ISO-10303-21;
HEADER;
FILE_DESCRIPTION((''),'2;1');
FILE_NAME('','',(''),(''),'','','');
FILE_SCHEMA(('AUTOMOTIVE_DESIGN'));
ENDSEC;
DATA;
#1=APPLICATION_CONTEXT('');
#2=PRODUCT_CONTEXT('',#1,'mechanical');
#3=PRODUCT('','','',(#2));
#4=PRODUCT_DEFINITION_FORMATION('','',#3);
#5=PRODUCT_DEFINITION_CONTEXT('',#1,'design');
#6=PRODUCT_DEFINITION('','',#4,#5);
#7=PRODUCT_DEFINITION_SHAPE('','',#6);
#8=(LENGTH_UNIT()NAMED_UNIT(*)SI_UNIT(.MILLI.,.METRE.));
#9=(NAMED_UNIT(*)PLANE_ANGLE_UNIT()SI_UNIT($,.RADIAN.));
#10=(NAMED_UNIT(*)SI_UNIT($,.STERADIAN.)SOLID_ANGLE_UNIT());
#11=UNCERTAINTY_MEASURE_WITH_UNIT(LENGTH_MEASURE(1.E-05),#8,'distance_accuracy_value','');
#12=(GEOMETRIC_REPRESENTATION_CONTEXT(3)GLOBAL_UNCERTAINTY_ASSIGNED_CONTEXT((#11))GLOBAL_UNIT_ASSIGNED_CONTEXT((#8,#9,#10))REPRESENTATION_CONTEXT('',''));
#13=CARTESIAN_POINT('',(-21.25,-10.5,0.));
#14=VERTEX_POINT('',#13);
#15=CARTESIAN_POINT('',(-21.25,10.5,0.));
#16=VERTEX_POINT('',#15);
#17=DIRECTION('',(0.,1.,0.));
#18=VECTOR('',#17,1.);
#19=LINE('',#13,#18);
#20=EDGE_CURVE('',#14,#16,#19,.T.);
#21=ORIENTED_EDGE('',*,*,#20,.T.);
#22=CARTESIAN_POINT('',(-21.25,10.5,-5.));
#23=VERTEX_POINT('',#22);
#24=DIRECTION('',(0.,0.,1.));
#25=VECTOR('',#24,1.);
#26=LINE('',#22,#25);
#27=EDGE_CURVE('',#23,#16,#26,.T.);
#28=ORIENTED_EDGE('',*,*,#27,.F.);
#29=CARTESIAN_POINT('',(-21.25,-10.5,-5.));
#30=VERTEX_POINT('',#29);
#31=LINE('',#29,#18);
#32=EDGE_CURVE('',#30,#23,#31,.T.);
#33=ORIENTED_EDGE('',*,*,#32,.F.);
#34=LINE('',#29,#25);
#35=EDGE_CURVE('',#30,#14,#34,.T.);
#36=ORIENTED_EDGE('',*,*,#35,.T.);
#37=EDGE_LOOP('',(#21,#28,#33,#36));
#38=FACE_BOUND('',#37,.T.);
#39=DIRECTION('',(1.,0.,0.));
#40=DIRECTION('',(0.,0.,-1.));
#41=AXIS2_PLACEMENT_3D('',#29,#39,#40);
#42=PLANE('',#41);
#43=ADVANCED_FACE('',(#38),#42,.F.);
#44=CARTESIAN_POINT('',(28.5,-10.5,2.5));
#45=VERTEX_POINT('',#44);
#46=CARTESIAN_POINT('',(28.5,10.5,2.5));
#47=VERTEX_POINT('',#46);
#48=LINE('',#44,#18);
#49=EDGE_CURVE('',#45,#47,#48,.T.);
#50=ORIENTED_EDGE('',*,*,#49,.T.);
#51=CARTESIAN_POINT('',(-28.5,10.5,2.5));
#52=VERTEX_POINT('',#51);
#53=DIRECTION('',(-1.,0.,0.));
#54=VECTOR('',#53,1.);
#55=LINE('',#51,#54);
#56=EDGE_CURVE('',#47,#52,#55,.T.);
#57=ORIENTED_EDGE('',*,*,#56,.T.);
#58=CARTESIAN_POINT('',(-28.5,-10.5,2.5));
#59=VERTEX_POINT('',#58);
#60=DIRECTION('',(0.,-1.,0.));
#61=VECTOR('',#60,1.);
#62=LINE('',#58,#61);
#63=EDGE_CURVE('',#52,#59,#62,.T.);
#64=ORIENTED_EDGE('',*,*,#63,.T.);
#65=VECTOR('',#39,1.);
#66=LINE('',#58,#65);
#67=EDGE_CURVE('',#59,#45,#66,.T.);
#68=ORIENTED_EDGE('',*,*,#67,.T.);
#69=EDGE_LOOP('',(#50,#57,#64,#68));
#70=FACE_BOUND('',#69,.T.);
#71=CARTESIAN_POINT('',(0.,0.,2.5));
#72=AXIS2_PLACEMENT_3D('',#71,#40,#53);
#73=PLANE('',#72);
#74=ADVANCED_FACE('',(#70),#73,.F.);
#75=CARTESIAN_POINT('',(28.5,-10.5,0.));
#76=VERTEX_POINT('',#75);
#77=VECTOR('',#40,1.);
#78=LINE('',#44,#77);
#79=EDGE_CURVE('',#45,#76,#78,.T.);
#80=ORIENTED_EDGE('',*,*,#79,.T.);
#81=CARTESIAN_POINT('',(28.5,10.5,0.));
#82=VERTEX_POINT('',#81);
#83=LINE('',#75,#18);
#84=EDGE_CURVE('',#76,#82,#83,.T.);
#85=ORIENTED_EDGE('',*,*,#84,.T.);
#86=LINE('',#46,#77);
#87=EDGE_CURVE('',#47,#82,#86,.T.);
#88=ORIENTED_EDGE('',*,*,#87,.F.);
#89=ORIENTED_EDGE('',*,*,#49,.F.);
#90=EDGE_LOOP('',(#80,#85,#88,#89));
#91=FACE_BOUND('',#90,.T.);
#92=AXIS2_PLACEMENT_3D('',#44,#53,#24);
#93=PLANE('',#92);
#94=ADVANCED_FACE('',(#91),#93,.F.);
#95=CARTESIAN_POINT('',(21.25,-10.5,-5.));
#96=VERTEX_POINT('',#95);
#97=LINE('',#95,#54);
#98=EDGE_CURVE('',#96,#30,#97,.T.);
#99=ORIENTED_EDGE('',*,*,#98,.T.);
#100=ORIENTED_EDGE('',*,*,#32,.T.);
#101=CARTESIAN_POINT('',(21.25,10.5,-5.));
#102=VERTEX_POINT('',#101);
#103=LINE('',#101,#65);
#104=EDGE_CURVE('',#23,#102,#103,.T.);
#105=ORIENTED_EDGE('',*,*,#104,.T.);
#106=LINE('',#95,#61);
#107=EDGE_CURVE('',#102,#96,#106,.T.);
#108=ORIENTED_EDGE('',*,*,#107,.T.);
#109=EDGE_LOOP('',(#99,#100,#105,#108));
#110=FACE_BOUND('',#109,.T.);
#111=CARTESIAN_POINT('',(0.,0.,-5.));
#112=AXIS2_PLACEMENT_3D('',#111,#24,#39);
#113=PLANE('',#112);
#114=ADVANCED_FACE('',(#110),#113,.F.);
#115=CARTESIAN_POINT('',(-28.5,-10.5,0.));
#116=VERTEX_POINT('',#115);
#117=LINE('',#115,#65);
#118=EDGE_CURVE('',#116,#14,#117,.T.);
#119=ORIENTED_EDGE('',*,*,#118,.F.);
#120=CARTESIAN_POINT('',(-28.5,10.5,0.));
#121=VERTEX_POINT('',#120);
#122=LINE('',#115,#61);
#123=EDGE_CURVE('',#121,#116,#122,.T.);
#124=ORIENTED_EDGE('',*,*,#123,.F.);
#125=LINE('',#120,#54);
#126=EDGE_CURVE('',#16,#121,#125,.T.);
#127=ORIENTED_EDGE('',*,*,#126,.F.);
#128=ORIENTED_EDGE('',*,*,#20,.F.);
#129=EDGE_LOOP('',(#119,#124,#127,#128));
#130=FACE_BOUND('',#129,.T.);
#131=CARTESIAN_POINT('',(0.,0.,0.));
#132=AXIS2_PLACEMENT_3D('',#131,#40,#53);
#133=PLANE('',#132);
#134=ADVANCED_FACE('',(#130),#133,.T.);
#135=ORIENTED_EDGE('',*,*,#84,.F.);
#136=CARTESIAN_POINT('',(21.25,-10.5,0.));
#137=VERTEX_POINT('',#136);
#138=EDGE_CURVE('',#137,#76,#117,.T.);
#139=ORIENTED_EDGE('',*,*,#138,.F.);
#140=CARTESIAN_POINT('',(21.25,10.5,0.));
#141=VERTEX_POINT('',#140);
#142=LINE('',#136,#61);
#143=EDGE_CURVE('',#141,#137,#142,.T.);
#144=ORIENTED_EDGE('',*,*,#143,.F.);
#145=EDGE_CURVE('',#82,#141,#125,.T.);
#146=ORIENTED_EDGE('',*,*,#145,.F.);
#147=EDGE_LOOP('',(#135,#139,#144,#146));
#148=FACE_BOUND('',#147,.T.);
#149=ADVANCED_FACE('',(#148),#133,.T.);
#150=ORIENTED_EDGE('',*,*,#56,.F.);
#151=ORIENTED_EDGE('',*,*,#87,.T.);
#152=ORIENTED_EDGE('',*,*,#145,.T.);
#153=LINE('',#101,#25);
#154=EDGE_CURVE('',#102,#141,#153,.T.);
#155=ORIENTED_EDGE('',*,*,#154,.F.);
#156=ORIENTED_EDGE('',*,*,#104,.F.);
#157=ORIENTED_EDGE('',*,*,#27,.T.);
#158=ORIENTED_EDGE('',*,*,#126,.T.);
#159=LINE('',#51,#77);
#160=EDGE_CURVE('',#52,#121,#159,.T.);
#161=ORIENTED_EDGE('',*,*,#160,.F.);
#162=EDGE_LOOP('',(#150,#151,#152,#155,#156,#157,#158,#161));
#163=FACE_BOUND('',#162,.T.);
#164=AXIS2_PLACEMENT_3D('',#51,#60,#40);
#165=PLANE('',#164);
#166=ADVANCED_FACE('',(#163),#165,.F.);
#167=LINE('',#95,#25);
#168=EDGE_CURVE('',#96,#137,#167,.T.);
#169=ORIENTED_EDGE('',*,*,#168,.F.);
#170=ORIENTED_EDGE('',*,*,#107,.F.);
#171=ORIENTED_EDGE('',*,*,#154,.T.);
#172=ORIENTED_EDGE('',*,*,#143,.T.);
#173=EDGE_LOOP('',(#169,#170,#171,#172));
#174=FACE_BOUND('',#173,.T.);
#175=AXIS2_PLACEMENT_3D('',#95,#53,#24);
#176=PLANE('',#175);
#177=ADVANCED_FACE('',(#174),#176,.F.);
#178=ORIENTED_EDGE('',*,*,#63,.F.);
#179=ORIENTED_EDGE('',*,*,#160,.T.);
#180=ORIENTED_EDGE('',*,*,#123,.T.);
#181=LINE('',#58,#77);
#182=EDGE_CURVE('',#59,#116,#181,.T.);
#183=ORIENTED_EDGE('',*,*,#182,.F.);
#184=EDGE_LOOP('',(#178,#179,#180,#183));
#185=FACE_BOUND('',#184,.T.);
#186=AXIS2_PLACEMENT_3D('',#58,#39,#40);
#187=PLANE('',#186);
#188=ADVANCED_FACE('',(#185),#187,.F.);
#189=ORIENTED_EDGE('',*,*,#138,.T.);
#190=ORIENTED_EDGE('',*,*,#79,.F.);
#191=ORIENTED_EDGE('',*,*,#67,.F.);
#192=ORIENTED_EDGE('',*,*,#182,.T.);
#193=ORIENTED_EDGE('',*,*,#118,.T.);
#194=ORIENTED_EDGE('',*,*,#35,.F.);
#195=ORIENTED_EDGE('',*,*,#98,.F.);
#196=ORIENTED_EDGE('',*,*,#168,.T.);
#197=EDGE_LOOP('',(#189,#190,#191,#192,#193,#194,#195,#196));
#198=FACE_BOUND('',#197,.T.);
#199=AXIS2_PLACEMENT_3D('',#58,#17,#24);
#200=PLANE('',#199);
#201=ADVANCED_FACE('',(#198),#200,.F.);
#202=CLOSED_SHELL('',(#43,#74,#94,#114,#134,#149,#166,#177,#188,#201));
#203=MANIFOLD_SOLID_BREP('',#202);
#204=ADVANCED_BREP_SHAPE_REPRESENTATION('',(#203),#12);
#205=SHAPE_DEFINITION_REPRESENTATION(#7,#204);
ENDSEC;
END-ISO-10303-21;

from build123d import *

# Parameters (mm, degrees)
SKETCH1_W           = 57
SKETCH1_H           = 21
BOSS_EXTRUDE1_DEPTH = 2.5
SKETCH2_W           = 42.5
SKETCH2_H           = 21
BOSS_EXTRUDE2_DEPTH = 5


with BuildPart() as part:
    # Sketch1 → Boss-Extrude1 (new body)
    with BuildSketch(Plane.XY):
        Rectangle(SKETCH1_W, SKETCH1_H)
    extrude(amount=BOSS_EXTRUDE1_DEPTH)

    # Sketch2 → Boss-Extrude2 (add)
    with BuildSketch(Plane(origin=(0, 0, 0), x_dir=(-1, 0, 0), z_dir=(0, 0, -1))):
        Rectangle(SKETCH2_W, SKETCH2_H)
    extrude(amount=BOSS_EXTRUDE2_DEPTH)


solid = part.part
